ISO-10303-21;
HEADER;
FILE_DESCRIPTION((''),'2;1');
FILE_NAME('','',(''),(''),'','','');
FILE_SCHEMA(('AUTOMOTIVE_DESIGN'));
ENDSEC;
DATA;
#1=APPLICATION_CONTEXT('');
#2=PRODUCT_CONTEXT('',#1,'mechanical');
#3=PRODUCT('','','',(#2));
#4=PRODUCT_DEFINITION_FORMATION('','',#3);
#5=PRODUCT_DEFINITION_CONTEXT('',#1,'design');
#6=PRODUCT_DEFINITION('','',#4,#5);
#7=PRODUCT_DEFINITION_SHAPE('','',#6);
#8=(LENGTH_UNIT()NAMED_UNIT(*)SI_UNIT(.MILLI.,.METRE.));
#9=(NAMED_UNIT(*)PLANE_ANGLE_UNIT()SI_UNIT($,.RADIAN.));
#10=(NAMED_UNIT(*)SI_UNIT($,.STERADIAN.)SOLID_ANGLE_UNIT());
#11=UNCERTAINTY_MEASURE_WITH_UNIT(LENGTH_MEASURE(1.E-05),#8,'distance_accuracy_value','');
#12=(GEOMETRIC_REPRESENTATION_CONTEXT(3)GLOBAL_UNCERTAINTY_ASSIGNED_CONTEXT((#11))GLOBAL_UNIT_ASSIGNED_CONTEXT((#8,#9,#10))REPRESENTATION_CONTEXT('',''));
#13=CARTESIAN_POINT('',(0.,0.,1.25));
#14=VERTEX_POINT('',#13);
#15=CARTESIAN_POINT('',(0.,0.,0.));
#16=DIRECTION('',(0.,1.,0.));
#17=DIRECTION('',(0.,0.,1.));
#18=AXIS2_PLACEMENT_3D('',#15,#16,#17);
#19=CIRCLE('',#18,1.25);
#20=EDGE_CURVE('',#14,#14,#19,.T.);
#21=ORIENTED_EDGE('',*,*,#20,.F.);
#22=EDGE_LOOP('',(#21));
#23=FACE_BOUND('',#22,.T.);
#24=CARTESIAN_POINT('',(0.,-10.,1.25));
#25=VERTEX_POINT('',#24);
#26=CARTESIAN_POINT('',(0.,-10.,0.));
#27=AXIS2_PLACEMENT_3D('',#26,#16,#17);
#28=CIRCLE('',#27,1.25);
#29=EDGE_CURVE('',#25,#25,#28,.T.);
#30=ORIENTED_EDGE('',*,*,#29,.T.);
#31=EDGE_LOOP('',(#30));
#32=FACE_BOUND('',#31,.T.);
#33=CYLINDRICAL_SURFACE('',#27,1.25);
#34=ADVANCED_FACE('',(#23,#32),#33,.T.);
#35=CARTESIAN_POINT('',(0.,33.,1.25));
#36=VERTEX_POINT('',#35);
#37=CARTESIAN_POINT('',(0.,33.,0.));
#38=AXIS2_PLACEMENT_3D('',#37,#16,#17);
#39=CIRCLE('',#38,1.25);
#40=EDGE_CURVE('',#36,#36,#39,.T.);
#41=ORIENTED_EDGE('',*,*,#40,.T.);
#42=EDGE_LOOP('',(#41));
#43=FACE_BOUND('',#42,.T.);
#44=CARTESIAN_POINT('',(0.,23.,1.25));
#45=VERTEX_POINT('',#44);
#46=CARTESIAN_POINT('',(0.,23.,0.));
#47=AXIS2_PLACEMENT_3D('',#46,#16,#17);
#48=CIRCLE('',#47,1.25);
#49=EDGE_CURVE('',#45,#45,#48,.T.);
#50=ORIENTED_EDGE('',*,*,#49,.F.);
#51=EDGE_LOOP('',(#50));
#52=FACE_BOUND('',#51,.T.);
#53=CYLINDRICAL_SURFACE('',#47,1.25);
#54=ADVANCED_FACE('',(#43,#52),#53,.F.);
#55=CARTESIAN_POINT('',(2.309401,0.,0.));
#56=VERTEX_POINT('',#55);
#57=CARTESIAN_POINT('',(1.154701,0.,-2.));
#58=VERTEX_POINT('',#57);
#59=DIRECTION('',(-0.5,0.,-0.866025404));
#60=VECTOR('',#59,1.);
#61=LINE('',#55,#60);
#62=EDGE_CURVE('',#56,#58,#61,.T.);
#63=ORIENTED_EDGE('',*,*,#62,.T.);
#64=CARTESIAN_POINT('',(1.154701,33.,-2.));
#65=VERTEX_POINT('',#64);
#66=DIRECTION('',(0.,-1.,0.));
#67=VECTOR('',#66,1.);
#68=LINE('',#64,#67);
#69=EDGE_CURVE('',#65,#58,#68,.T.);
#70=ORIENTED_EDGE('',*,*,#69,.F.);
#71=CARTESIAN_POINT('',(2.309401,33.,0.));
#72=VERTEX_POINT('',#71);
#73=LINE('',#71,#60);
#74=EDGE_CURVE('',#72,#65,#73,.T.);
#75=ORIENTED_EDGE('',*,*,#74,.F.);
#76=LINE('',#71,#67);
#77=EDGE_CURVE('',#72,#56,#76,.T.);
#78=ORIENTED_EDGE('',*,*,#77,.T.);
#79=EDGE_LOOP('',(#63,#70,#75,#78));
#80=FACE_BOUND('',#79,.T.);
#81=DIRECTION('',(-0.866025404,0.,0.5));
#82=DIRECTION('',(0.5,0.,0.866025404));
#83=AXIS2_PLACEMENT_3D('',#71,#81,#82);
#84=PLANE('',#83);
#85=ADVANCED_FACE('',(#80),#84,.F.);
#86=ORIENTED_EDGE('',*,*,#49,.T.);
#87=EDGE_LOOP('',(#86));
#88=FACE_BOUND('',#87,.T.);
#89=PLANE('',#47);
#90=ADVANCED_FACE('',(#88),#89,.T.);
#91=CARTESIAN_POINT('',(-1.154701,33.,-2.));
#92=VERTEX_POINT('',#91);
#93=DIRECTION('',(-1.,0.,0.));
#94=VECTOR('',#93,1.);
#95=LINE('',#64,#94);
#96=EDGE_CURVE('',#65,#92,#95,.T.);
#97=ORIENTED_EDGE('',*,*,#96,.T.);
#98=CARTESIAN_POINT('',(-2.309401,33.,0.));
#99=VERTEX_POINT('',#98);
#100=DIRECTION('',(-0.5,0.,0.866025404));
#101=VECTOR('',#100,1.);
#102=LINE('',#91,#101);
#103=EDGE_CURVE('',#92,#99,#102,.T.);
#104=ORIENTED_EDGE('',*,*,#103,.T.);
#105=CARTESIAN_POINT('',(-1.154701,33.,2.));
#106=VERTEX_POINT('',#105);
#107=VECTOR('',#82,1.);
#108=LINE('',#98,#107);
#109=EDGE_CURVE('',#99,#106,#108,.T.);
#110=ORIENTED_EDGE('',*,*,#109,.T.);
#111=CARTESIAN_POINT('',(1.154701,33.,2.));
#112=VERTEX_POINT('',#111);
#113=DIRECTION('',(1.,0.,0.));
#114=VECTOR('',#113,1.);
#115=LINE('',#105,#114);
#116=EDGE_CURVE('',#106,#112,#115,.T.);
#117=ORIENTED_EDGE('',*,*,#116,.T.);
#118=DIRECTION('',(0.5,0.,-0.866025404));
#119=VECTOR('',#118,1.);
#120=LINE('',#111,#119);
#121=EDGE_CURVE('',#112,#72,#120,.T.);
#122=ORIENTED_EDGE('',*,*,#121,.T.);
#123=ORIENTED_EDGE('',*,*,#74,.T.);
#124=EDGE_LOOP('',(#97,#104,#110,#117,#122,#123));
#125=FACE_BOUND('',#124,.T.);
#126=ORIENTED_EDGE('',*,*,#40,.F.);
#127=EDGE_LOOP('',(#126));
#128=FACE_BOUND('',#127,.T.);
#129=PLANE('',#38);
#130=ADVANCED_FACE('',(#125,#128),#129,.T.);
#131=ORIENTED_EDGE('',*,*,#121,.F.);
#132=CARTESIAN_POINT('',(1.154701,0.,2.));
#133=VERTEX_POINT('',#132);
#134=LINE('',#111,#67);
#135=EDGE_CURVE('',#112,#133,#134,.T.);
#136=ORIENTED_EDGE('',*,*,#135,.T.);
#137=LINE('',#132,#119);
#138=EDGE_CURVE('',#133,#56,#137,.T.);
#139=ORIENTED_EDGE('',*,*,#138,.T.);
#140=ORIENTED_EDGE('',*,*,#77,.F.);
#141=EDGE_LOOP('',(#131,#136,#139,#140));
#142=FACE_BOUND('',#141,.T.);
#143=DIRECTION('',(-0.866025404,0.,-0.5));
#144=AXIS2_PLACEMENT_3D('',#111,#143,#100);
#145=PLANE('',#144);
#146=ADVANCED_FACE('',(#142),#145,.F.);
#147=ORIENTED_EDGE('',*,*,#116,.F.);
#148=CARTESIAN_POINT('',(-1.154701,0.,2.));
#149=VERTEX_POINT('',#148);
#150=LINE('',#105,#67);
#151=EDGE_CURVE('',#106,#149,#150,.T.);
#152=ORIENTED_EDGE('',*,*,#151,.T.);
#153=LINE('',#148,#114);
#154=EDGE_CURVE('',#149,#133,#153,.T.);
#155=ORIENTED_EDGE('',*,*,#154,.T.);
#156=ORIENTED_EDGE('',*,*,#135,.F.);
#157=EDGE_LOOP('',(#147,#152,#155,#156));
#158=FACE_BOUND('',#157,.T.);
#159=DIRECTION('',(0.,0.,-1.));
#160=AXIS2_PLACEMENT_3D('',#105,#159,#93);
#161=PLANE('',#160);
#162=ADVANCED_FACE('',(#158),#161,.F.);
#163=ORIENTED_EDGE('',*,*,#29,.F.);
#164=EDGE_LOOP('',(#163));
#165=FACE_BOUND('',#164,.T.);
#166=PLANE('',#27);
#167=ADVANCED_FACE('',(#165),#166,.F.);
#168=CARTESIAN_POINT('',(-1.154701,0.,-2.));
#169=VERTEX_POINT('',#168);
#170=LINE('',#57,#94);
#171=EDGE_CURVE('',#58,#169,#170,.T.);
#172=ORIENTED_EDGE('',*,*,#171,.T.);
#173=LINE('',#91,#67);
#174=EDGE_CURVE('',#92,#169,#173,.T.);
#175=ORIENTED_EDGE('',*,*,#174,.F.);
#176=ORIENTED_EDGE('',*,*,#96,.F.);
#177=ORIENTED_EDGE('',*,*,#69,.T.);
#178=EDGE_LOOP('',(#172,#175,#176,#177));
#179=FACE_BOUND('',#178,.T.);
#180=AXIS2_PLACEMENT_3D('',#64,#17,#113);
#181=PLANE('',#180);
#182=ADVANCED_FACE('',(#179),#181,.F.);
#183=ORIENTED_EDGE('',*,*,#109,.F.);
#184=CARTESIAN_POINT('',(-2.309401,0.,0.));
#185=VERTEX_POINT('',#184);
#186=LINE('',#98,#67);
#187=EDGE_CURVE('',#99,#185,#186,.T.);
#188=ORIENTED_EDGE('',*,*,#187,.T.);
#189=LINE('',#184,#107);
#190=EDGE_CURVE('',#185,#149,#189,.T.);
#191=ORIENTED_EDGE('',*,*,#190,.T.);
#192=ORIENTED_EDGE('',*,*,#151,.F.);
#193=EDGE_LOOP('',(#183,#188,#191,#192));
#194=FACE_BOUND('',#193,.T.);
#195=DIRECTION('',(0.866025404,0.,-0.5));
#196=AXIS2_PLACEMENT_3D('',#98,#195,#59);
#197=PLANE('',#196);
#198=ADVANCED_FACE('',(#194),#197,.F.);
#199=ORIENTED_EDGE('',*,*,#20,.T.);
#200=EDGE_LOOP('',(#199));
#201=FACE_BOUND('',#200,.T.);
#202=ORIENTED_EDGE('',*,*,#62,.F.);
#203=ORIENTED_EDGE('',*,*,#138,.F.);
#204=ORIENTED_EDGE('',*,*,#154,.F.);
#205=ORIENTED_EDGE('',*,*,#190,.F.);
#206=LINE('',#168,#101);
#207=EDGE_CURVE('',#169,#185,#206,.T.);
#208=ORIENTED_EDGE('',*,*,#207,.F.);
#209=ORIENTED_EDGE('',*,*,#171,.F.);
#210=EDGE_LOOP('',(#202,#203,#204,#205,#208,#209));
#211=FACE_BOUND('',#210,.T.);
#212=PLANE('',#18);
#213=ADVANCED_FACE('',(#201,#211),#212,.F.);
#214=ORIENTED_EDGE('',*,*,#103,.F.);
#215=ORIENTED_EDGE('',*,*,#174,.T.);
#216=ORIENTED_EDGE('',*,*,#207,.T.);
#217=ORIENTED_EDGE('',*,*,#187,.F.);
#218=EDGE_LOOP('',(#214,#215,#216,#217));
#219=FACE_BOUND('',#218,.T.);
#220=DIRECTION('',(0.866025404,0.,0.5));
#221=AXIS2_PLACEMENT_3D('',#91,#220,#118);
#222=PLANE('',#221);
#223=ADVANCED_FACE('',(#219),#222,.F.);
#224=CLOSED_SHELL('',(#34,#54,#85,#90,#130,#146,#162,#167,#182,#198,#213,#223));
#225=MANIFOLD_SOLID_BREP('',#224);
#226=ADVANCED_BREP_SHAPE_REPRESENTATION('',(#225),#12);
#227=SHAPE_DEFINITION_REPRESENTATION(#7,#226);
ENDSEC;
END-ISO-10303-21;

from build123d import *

# Parameters (mm, degrees)
BOSS_EXTRUDE1_DEPTH = 33
SKETCH2_R           = 1.25
BOSS_EXTRUDE2_DEPTH = 10
SKETCH3_R           = 1.25
CUT_EXTRUDE1_DEPTH  = 10


with BuildPart() as part:
    # Sketch1 → Boss-Extrude1 (new body)
    with BuildSketch(Plane(origin=(0, 0, 0), x_dir=(1, 0, 0), z_dir=(0, 1, 0))):
        Polygon((1.154700538, -2), (2.309401077, 0), (1.154700538, 2), (-1.154700538, 2), (-2.309401077, 0), (-1.154700538, -2), align=None)
    extrude(amount=BOSS_EXTRUDE1_DEPTH)

    # Sketch2 → Boss-Extrude2 (add)
    with BuildSketch(Plane(origin=(0, 0, 0), x_dir=(1, 0, 0), z_dir=(0, 1, 0))):
        with Locations(Location((0, 0, 0), (0, 0, 270))):
            Circle(SKETCH2_R)
    extrude(amount=-BOSS_EXTRUDE2_DEPTH)

    # Sketch3 → Cut-Extrude1 (cut)
    with BuildSketch(Plane(origin=(0, 33, 0), x_dir=(1, 0, 0), z_dir=(0, 1, 0))):
        with Locations(Location((0, 0, 0), (0, 0, 270))):
            Circle(SKETCH3_R)
    extrude(amount=-CUT_EXTRUDE1_DEPTH, mode=Mode.SUBTRACT)


solid = part.part
